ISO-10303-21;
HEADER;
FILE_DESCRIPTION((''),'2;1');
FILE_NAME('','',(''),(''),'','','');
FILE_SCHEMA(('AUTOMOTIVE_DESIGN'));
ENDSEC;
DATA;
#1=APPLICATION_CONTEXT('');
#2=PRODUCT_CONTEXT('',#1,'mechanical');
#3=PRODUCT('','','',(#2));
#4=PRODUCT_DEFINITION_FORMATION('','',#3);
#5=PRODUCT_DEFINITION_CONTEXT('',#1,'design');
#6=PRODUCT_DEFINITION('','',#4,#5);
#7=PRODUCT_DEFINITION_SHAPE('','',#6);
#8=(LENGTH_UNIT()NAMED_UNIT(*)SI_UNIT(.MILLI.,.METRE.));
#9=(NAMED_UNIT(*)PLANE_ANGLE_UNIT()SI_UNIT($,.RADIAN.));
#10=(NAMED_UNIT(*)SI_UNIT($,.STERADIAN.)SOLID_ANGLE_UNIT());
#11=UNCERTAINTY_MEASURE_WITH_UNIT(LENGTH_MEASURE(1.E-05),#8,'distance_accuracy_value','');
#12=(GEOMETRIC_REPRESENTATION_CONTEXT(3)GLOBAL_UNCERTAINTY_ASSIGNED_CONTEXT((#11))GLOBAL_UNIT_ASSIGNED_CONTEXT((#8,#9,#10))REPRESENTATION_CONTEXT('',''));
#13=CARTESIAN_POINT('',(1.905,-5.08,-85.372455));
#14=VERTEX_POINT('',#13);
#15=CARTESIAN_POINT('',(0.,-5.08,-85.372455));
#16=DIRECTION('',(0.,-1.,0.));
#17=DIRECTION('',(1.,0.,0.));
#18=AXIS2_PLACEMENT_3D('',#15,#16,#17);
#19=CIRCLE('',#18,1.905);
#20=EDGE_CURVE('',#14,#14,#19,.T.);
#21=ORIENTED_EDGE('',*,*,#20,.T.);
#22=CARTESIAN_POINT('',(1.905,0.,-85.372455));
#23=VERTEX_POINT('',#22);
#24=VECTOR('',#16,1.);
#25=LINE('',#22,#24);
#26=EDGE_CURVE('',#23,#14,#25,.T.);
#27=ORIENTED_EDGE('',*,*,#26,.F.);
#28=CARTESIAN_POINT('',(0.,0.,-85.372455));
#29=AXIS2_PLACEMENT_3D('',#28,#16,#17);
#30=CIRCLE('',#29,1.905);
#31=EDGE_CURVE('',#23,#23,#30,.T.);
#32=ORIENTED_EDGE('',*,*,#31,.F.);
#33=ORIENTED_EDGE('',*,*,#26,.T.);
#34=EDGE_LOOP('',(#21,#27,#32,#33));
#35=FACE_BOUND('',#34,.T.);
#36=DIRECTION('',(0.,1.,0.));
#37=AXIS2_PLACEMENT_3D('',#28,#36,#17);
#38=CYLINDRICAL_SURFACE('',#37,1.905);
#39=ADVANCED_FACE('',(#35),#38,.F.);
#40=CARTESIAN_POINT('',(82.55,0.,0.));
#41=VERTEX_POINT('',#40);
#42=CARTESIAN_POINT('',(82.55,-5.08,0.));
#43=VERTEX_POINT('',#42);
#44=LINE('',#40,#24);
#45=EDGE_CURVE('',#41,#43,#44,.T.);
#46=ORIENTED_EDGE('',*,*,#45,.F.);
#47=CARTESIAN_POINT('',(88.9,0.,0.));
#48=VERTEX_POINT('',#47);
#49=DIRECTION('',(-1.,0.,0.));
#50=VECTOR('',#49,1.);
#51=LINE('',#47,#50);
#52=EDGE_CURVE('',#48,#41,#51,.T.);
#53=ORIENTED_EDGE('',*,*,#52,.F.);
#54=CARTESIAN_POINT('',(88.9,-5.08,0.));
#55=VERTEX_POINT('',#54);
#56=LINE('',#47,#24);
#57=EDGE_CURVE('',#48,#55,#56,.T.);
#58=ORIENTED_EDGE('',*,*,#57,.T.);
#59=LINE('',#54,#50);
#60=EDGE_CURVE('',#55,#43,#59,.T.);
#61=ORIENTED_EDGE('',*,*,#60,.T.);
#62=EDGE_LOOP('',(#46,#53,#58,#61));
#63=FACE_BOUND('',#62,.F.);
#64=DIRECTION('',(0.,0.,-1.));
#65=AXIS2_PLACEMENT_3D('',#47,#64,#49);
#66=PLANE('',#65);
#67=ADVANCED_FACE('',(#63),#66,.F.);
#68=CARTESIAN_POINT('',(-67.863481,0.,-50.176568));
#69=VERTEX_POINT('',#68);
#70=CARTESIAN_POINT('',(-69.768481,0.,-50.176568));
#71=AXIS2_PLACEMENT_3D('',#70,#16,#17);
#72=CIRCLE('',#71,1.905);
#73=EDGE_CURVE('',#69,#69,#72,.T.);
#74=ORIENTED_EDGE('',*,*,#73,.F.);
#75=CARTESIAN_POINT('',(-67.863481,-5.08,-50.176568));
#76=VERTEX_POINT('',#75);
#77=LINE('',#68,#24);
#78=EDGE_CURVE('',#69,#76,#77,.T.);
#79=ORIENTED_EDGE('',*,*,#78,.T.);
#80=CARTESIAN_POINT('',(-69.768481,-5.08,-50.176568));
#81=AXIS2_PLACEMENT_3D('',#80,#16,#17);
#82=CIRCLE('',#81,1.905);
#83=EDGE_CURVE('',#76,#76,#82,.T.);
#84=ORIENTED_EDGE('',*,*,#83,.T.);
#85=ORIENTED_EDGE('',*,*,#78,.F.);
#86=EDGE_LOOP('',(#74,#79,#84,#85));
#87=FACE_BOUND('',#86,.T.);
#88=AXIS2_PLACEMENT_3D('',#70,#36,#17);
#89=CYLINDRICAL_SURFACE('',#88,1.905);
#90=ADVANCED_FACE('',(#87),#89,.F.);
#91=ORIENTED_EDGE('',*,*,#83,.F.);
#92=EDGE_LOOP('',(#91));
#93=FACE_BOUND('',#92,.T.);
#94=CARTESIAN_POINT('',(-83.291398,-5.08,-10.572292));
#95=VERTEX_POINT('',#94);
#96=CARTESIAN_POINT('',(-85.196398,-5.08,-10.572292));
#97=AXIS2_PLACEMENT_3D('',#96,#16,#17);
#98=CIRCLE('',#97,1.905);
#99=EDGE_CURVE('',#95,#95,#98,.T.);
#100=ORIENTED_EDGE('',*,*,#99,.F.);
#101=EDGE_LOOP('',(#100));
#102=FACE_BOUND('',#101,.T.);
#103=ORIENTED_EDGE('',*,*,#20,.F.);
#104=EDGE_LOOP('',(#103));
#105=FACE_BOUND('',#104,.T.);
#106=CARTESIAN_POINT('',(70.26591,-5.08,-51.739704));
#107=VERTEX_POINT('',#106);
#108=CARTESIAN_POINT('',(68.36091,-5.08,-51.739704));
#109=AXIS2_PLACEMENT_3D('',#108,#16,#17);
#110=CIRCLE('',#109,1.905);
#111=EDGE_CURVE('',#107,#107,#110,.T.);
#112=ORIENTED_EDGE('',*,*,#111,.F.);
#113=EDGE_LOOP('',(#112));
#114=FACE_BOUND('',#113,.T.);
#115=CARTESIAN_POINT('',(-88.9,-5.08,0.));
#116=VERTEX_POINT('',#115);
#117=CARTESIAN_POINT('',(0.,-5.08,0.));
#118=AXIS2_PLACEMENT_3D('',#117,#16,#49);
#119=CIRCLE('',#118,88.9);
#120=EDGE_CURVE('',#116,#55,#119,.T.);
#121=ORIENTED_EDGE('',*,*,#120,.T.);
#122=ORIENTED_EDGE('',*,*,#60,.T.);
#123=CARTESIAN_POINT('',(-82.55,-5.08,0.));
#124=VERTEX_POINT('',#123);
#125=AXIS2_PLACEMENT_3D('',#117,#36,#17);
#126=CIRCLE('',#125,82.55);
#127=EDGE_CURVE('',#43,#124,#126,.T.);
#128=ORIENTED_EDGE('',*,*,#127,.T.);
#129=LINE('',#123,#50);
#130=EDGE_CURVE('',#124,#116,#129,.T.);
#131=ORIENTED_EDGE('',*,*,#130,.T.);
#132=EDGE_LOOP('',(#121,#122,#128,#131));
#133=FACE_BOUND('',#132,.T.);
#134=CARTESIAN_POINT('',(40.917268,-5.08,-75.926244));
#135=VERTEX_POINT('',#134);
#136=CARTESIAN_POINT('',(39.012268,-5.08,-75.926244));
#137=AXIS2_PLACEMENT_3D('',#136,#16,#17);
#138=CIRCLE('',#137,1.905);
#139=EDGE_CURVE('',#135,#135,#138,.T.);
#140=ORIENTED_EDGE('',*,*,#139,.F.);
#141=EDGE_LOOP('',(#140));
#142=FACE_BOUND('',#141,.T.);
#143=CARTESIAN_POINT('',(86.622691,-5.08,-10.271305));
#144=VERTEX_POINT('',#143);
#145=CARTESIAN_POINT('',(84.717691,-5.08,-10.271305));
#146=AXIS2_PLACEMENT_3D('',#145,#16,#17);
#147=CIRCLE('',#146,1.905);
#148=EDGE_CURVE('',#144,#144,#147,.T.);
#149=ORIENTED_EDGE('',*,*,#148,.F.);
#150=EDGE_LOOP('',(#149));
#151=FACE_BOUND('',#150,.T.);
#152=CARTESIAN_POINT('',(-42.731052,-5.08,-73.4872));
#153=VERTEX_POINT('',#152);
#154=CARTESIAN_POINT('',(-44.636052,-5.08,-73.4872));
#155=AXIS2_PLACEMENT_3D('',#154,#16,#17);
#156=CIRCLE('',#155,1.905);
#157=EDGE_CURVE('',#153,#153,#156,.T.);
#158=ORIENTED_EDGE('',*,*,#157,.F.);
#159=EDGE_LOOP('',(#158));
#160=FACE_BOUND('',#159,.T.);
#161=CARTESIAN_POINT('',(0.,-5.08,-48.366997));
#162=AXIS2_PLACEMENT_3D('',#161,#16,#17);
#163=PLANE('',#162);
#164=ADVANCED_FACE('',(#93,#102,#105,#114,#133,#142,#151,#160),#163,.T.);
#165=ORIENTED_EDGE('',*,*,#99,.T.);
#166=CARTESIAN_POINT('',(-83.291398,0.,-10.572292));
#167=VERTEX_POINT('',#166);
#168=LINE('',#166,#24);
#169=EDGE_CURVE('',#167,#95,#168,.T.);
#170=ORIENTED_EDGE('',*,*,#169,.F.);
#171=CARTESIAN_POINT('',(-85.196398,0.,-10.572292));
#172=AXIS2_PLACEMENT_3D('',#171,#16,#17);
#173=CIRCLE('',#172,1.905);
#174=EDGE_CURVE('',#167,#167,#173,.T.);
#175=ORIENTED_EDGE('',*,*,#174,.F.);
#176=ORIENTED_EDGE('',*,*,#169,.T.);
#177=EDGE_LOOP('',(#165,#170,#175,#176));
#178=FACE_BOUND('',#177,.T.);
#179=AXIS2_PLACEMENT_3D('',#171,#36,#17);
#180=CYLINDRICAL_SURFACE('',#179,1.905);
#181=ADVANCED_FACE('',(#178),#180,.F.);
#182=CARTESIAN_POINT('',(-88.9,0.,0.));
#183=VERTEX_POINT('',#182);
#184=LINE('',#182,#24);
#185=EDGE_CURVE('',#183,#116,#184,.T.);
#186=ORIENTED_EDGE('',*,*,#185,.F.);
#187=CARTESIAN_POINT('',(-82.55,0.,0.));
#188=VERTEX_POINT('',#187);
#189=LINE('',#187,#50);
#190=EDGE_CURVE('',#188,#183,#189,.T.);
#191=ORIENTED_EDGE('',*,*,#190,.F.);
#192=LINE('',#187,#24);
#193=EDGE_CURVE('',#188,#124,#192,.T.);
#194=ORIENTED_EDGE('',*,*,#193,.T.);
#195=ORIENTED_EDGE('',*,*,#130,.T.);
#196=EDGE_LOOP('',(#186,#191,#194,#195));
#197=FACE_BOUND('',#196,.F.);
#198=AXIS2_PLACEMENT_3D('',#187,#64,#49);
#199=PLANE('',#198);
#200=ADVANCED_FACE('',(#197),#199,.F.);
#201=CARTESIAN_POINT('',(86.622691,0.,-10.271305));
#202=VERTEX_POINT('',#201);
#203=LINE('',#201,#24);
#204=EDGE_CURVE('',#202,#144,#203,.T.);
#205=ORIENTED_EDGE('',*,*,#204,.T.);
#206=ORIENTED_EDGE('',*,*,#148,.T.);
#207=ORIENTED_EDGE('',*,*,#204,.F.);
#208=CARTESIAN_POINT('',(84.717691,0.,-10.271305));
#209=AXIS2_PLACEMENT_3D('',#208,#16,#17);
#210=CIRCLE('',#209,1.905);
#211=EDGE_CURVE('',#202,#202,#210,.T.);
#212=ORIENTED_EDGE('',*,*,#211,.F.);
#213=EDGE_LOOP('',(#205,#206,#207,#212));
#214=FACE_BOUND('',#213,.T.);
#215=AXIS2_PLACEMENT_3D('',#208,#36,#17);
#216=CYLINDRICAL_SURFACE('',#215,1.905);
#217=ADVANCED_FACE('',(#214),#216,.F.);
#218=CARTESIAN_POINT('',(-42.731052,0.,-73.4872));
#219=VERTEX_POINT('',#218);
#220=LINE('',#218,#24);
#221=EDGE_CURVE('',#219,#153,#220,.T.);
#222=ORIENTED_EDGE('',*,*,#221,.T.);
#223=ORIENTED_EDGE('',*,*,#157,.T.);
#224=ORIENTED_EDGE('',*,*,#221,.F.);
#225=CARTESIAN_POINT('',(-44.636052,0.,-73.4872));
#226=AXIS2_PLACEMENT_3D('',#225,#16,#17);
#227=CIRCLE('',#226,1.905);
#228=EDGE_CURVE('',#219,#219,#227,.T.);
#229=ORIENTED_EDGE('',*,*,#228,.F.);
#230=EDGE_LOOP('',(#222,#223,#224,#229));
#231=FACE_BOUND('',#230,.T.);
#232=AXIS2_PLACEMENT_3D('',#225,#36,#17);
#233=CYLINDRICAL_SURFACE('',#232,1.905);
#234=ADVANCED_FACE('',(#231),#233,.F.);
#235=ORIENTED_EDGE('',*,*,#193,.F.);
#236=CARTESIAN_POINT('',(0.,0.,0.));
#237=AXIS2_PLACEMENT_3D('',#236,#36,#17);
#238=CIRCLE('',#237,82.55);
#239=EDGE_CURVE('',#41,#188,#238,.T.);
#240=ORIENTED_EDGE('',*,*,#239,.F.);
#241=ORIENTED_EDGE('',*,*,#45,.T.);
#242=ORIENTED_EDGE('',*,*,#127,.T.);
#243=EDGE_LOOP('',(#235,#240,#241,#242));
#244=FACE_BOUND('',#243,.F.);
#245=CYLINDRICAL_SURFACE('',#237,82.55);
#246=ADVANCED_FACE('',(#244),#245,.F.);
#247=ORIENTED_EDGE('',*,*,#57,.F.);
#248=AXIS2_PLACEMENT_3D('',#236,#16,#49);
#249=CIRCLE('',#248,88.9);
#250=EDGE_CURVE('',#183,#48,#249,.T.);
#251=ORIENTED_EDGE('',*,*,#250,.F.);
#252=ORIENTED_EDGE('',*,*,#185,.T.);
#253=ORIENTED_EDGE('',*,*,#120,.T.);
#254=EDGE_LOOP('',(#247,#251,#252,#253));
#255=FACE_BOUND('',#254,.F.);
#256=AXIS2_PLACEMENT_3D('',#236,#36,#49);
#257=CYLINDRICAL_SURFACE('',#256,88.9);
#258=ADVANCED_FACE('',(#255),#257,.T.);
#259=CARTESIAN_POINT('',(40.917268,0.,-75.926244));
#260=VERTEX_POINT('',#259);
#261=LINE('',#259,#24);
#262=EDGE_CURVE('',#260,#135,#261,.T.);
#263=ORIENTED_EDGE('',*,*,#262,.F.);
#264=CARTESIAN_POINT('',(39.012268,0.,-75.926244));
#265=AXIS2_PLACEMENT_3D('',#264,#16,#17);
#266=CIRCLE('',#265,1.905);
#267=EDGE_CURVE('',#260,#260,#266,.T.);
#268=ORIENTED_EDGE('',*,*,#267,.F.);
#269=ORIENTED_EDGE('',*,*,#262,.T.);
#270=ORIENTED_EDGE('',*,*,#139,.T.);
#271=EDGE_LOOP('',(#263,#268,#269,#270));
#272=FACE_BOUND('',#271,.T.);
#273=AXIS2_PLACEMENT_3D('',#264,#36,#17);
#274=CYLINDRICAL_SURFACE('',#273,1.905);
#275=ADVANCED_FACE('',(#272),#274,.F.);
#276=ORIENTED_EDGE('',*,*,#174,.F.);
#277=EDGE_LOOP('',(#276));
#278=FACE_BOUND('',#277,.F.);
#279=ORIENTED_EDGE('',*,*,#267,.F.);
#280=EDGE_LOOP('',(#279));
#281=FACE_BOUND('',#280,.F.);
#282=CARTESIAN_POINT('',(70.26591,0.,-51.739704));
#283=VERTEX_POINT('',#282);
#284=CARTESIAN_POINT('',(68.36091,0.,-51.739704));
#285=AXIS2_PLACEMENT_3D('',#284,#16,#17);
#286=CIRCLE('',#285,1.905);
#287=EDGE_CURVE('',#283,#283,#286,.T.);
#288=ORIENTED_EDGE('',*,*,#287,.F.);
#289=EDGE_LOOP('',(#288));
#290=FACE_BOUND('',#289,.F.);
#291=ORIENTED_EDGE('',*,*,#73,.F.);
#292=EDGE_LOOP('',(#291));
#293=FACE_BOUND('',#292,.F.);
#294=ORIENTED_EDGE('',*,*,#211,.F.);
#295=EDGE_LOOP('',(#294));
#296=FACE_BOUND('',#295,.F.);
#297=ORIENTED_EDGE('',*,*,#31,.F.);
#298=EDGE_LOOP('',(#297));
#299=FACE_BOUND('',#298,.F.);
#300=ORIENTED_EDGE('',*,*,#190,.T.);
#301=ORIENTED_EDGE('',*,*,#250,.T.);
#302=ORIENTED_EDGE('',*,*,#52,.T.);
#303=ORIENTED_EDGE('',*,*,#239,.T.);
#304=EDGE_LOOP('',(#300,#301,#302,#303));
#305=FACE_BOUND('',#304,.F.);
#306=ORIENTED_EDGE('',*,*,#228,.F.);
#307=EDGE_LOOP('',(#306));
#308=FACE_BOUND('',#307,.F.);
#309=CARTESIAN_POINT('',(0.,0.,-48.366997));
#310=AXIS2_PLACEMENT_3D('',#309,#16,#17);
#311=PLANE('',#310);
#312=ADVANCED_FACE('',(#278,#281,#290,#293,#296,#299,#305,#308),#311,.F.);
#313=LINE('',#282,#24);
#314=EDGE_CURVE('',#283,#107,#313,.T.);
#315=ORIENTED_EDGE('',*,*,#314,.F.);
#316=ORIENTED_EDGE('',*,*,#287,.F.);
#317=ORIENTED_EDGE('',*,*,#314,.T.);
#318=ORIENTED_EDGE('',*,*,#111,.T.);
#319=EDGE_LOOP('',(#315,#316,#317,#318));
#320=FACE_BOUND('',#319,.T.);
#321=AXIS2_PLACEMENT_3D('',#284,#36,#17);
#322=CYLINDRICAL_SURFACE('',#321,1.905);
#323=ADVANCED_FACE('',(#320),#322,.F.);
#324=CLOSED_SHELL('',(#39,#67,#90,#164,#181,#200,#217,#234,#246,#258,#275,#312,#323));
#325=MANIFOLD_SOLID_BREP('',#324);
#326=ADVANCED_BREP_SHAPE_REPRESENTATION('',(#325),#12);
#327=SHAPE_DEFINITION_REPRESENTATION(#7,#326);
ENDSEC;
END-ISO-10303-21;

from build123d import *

# Parameters (mm, degrees)
F0_R     = 1.905
F1_DEPTH = 5.08


with BuildPart() as f1:
    # F0 (on Front) → F1 (new body)
    with BuildSketch(Plane.XZ):
        with BuildLine():
            Line((-82.55, 0), (-88.9, 0))
            ThreePointArc((-88.9, 0), (0, -88.9), (88.9, 0))
            Line((88.9, 0), (82.55, 0))
            ThreePointArc((82.55, 0), (0, -82.55), (-82.55, 0))
        make_face()
        with Locations((-44.636052, -73.4872)):
            Circle(F0_R, mode=Mode.SUBTRACT)
        with Locations((-69.768481, -50.176568)):
            Circle(F0_R, mode=Mode.SUBTRACT)
        with Locations((0, -85.372455)):
            Circle(F0_R, mode=Mode.SUBTRACT)
        with Locations((39.012268, -75.926244)):
            Circle(F0_R, mode=Mode.SUBTRACT)
        with Locations((68.36091, -51.739704)):
            Circle(F0_R, mode=Mode.SUBTRACT)
        with Locations((-85.196398, -10.572292)):
            Circle(F0_R, mode=Mode.SUBTRACT)
        with Locations((84.717691, -10.271305)):
            Circle(F0_R, mode=Mode.SUBTRACT)
    extrude(amount=F1_DEPTH)


solid = f1.part
